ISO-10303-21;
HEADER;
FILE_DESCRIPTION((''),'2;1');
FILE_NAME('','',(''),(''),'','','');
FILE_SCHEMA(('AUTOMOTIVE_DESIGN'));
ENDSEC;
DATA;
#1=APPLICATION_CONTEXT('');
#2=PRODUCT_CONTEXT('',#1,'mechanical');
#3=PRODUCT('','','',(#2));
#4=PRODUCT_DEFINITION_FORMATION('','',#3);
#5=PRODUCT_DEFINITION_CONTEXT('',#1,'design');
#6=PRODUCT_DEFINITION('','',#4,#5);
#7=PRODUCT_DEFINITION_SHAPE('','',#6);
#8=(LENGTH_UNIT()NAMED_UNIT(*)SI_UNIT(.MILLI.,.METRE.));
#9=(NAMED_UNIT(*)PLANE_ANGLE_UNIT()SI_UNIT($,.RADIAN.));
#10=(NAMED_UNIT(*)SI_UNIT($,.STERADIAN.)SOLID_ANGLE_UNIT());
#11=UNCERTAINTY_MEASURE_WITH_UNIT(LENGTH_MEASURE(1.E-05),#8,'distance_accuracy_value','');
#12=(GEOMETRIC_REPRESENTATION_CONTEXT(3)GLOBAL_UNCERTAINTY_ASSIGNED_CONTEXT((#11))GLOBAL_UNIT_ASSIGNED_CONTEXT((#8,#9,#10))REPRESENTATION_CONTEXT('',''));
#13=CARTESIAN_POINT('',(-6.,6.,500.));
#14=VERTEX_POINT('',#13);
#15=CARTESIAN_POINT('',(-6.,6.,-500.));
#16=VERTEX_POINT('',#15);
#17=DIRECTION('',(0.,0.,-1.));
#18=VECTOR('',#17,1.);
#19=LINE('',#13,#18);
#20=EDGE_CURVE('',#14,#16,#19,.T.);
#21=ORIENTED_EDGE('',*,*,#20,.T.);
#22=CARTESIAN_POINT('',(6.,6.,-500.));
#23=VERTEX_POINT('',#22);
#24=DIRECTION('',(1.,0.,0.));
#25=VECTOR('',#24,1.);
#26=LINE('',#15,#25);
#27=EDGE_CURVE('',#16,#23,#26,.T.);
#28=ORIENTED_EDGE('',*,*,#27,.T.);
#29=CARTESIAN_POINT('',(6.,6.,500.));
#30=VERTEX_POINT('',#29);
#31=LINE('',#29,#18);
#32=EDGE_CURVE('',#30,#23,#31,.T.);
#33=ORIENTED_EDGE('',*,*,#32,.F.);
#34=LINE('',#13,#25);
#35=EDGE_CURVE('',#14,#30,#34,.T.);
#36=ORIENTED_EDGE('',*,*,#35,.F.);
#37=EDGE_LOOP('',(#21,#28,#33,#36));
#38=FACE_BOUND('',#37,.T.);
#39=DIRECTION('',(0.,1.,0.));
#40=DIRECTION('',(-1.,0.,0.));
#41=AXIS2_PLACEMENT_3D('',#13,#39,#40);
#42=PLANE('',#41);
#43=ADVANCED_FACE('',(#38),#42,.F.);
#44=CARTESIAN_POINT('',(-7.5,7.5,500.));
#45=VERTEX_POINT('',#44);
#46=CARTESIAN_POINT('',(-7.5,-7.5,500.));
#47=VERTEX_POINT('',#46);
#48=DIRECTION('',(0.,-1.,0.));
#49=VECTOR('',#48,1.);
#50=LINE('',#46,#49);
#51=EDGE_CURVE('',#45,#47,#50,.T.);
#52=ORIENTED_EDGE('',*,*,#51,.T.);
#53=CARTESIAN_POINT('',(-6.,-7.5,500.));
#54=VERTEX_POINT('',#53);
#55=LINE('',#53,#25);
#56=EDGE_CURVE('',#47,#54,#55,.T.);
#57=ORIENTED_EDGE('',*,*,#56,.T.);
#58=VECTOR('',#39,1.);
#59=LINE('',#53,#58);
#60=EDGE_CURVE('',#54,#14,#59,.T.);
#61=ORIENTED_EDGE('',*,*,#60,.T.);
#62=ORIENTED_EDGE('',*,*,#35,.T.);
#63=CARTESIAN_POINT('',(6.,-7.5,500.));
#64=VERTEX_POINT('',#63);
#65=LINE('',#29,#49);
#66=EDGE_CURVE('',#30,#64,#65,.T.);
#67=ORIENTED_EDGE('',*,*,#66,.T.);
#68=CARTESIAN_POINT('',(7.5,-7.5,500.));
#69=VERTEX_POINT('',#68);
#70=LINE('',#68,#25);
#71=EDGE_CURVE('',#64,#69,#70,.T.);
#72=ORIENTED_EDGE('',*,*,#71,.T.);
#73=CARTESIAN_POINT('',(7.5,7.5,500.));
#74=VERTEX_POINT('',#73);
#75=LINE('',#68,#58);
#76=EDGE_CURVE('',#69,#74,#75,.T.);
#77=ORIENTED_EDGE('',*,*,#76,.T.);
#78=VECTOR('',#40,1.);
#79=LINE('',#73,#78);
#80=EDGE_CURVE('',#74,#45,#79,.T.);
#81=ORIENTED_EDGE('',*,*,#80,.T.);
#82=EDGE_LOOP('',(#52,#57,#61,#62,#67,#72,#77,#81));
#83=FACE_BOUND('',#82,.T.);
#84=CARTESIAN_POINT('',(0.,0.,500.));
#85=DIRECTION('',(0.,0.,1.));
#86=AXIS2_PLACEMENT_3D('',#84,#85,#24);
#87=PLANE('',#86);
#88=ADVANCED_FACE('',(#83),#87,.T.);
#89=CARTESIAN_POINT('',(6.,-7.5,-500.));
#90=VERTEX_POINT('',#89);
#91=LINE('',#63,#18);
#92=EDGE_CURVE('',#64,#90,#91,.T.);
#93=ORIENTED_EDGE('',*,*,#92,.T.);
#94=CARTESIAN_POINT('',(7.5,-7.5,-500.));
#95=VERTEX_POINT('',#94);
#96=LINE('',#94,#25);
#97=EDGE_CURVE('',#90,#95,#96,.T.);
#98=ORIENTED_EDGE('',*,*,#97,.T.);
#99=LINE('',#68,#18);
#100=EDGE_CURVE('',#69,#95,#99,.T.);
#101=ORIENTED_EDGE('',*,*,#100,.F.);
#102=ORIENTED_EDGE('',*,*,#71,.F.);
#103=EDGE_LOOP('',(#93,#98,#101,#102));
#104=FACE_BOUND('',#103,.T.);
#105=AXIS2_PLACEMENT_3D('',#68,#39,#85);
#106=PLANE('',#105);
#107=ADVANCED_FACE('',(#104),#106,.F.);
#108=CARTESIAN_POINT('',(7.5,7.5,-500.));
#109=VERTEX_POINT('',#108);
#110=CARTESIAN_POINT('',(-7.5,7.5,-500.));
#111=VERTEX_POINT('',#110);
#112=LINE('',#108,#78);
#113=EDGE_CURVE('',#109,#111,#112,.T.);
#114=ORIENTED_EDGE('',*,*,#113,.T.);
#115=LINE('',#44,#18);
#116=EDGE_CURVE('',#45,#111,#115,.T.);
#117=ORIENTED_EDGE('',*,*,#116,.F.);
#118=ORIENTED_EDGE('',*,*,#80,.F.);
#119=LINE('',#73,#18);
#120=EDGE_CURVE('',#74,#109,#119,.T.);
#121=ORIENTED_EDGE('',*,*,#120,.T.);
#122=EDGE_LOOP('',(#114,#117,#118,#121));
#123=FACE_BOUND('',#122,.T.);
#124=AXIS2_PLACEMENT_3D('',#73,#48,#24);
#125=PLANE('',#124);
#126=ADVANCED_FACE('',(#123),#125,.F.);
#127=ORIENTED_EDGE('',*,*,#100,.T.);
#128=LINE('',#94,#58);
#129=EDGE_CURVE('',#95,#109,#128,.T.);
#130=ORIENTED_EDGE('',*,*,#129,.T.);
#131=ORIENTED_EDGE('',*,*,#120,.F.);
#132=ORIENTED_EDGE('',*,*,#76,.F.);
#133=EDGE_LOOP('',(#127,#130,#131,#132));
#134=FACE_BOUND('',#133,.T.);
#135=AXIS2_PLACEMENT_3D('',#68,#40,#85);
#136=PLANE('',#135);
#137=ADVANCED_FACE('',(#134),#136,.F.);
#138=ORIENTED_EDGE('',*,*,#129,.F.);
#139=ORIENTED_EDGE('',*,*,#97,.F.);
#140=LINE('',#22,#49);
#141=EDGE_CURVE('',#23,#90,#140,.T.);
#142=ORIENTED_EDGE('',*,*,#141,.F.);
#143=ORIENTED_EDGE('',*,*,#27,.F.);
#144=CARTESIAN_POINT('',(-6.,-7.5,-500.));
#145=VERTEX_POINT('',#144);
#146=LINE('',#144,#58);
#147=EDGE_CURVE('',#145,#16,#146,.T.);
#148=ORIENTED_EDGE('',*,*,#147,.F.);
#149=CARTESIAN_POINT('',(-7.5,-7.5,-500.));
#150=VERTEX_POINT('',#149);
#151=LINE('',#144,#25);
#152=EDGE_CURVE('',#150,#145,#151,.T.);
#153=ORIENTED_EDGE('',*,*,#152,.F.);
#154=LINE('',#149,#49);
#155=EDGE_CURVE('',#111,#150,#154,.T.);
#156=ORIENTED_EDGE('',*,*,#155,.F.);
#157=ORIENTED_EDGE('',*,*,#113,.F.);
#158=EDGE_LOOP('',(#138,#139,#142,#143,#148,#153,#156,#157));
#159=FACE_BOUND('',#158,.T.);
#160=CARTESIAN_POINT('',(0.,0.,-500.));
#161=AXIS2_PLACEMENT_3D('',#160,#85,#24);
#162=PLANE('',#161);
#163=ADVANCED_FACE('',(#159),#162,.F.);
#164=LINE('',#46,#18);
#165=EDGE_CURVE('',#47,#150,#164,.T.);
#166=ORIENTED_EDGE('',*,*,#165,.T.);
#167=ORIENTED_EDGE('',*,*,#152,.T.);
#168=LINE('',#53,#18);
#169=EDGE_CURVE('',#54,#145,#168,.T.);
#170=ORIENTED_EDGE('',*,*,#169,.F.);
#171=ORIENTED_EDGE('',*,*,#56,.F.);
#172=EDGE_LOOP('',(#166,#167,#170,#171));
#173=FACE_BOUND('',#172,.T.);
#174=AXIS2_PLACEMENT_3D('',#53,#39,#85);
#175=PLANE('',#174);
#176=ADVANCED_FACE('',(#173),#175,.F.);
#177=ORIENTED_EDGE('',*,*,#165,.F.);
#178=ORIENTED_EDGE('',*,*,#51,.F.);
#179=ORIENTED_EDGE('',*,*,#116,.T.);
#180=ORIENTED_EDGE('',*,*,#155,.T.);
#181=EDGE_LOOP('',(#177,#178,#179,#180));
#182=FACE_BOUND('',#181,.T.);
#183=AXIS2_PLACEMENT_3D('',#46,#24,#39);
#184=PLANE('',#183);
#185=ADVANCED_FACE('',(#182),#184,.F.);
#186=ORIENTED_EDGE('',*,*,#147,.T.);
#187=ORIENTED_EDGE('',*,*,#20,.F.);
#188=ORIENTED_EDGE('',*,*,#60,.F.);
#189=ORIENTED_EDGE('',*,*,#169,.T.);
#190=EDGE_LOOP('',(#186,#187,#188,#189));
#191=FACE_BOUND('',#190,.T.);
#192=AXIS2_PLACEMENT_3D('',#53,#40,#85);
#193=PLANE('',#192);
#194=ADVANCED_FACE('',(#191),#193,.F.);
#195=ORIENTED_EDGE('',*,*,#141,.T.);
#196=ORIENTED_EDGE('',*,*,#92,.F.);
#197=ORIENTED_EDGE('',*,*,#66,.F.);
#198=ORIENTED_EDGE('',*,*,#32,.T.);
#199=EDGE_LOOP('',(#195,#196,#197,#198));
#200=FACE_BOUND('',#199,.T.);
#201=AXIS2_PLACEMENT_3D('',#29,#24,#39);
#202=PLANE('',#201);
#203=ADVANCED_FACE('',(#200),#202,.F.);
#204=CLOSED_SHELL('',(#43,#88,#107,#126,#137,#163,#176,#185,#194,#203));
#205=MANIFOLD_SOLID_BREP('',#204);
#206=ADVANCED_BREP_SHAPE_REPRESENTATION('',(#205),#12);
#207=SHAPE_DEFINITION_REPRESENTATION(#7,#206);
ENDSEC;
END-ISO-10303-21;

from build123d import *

# Parameters (mm, degrees)
BOSS_EXTRUDE1_DEPTH = 500


with BuildPart() as part:
    # Sketch2 → Boss-Extrude1 (new body, symmetric)
    with BuildSketch(Plane.XY):
        Polygon((-6, -7.5), (-6, 6), (6, 6), (6, -7.5), (7.5, -7.5), (7.5, 7.5), (-7.5, 7.5), (-7.5, -7.5), align=None)
    extrude(amount=BOSS_EXTRUDE1_DEPTH, both=True)


solid = part.part
